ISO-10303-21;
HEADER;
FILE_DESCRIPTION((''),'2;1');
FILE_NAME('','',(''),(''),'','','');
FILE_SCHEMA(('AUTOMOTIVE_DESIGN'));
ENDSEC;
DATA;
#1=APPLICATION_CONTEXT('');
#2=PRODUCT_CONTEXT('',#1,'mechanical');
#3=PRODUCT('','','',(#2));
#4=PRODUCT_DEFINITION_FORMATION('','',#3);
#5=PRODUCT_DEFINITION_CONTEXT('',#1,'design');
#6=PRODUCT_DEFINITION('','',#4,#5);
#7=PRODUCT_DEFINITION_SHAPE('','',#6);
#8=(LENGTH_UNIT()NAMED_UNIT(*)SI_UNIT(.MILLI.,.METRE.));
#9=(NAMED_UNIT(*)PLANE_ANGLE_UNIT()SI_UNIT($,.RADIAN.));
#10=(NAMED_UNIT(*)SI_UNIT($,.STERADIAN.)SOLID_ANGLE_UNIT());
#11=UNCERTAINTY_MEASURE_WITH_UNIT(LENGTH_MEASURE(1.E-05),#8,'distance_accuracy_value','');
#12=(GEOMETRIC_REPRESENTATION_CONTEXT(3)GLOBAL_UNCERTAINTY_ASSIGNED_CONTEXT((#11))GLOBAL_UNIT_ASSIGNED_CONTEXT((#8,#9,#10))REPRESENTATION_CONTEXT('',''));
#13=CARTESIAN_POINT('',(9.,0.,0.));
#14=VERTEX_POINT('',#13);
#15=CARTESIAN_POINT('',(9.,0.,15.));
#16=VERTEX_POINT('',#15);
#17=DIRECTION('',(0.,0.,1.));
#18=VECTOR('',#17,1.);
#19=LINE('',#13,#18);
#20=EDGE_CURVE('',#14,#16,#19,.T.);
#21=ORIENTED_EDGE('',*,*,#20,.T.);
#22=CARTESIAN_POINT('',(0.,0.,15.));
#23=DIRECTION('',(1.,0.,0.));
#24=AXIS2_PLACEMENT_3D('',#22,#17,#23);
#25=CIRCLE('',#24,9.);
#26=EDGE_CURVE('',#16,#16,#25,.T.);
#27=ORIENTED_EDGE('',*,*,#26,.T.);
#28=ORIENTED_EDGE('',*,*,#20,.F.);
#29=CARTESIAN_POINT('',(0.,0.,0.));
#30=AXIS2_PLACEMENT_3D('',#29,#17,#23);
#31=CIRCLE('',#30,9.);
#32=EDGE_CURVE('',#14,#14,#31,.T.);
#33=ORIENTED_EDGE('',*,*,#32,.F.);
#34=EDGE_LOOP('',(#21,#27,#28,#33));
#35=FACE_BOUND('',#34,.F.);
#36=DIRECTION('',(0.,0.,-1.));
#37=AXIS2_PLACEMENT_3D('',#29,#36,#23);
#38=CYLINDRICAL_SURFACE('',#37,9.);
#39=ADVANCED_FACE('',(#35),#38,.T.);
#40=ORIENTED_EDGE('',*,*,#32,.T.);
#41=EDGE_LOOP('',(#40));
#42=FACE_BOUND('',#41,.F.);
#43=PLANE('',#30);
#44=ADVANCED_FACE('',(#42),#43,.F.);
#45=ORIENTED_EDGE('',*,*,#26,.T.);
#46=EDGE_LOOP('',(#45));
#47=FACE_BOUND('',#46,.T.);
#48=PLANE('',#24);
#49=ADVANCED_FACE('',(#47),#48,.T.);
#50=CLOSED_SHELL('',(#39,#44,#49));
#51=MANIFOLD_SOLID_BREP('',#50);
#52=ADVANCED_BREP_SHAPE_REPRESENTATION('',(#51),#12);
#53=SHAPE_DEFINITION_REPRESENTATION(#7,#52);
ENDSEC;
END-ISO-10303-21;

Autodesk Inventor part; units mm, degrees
ref_plane "YZ Plane" through (0, 0, 0) normal (1, 0, 0) x (0, 1, 0)
ref_plane "XZ Plane" through (0, 0, 0) normal (0, 1, 0) x (-1, 0, 0)
ref_plane "XY Plane" through (0, 0, 0) normal (0, 0, 1) x (1, 0, 0)
sketch "草圖1" plane through (0, 0, 0) normal (0, 0, 1) x (1, 0, 0)
  circle A0 centre (0, 0) radius 9
  dimension "d0" = 18
extrude "擠出1" add sketch "草圖1" along normal blind 15
properties part number "pin"
